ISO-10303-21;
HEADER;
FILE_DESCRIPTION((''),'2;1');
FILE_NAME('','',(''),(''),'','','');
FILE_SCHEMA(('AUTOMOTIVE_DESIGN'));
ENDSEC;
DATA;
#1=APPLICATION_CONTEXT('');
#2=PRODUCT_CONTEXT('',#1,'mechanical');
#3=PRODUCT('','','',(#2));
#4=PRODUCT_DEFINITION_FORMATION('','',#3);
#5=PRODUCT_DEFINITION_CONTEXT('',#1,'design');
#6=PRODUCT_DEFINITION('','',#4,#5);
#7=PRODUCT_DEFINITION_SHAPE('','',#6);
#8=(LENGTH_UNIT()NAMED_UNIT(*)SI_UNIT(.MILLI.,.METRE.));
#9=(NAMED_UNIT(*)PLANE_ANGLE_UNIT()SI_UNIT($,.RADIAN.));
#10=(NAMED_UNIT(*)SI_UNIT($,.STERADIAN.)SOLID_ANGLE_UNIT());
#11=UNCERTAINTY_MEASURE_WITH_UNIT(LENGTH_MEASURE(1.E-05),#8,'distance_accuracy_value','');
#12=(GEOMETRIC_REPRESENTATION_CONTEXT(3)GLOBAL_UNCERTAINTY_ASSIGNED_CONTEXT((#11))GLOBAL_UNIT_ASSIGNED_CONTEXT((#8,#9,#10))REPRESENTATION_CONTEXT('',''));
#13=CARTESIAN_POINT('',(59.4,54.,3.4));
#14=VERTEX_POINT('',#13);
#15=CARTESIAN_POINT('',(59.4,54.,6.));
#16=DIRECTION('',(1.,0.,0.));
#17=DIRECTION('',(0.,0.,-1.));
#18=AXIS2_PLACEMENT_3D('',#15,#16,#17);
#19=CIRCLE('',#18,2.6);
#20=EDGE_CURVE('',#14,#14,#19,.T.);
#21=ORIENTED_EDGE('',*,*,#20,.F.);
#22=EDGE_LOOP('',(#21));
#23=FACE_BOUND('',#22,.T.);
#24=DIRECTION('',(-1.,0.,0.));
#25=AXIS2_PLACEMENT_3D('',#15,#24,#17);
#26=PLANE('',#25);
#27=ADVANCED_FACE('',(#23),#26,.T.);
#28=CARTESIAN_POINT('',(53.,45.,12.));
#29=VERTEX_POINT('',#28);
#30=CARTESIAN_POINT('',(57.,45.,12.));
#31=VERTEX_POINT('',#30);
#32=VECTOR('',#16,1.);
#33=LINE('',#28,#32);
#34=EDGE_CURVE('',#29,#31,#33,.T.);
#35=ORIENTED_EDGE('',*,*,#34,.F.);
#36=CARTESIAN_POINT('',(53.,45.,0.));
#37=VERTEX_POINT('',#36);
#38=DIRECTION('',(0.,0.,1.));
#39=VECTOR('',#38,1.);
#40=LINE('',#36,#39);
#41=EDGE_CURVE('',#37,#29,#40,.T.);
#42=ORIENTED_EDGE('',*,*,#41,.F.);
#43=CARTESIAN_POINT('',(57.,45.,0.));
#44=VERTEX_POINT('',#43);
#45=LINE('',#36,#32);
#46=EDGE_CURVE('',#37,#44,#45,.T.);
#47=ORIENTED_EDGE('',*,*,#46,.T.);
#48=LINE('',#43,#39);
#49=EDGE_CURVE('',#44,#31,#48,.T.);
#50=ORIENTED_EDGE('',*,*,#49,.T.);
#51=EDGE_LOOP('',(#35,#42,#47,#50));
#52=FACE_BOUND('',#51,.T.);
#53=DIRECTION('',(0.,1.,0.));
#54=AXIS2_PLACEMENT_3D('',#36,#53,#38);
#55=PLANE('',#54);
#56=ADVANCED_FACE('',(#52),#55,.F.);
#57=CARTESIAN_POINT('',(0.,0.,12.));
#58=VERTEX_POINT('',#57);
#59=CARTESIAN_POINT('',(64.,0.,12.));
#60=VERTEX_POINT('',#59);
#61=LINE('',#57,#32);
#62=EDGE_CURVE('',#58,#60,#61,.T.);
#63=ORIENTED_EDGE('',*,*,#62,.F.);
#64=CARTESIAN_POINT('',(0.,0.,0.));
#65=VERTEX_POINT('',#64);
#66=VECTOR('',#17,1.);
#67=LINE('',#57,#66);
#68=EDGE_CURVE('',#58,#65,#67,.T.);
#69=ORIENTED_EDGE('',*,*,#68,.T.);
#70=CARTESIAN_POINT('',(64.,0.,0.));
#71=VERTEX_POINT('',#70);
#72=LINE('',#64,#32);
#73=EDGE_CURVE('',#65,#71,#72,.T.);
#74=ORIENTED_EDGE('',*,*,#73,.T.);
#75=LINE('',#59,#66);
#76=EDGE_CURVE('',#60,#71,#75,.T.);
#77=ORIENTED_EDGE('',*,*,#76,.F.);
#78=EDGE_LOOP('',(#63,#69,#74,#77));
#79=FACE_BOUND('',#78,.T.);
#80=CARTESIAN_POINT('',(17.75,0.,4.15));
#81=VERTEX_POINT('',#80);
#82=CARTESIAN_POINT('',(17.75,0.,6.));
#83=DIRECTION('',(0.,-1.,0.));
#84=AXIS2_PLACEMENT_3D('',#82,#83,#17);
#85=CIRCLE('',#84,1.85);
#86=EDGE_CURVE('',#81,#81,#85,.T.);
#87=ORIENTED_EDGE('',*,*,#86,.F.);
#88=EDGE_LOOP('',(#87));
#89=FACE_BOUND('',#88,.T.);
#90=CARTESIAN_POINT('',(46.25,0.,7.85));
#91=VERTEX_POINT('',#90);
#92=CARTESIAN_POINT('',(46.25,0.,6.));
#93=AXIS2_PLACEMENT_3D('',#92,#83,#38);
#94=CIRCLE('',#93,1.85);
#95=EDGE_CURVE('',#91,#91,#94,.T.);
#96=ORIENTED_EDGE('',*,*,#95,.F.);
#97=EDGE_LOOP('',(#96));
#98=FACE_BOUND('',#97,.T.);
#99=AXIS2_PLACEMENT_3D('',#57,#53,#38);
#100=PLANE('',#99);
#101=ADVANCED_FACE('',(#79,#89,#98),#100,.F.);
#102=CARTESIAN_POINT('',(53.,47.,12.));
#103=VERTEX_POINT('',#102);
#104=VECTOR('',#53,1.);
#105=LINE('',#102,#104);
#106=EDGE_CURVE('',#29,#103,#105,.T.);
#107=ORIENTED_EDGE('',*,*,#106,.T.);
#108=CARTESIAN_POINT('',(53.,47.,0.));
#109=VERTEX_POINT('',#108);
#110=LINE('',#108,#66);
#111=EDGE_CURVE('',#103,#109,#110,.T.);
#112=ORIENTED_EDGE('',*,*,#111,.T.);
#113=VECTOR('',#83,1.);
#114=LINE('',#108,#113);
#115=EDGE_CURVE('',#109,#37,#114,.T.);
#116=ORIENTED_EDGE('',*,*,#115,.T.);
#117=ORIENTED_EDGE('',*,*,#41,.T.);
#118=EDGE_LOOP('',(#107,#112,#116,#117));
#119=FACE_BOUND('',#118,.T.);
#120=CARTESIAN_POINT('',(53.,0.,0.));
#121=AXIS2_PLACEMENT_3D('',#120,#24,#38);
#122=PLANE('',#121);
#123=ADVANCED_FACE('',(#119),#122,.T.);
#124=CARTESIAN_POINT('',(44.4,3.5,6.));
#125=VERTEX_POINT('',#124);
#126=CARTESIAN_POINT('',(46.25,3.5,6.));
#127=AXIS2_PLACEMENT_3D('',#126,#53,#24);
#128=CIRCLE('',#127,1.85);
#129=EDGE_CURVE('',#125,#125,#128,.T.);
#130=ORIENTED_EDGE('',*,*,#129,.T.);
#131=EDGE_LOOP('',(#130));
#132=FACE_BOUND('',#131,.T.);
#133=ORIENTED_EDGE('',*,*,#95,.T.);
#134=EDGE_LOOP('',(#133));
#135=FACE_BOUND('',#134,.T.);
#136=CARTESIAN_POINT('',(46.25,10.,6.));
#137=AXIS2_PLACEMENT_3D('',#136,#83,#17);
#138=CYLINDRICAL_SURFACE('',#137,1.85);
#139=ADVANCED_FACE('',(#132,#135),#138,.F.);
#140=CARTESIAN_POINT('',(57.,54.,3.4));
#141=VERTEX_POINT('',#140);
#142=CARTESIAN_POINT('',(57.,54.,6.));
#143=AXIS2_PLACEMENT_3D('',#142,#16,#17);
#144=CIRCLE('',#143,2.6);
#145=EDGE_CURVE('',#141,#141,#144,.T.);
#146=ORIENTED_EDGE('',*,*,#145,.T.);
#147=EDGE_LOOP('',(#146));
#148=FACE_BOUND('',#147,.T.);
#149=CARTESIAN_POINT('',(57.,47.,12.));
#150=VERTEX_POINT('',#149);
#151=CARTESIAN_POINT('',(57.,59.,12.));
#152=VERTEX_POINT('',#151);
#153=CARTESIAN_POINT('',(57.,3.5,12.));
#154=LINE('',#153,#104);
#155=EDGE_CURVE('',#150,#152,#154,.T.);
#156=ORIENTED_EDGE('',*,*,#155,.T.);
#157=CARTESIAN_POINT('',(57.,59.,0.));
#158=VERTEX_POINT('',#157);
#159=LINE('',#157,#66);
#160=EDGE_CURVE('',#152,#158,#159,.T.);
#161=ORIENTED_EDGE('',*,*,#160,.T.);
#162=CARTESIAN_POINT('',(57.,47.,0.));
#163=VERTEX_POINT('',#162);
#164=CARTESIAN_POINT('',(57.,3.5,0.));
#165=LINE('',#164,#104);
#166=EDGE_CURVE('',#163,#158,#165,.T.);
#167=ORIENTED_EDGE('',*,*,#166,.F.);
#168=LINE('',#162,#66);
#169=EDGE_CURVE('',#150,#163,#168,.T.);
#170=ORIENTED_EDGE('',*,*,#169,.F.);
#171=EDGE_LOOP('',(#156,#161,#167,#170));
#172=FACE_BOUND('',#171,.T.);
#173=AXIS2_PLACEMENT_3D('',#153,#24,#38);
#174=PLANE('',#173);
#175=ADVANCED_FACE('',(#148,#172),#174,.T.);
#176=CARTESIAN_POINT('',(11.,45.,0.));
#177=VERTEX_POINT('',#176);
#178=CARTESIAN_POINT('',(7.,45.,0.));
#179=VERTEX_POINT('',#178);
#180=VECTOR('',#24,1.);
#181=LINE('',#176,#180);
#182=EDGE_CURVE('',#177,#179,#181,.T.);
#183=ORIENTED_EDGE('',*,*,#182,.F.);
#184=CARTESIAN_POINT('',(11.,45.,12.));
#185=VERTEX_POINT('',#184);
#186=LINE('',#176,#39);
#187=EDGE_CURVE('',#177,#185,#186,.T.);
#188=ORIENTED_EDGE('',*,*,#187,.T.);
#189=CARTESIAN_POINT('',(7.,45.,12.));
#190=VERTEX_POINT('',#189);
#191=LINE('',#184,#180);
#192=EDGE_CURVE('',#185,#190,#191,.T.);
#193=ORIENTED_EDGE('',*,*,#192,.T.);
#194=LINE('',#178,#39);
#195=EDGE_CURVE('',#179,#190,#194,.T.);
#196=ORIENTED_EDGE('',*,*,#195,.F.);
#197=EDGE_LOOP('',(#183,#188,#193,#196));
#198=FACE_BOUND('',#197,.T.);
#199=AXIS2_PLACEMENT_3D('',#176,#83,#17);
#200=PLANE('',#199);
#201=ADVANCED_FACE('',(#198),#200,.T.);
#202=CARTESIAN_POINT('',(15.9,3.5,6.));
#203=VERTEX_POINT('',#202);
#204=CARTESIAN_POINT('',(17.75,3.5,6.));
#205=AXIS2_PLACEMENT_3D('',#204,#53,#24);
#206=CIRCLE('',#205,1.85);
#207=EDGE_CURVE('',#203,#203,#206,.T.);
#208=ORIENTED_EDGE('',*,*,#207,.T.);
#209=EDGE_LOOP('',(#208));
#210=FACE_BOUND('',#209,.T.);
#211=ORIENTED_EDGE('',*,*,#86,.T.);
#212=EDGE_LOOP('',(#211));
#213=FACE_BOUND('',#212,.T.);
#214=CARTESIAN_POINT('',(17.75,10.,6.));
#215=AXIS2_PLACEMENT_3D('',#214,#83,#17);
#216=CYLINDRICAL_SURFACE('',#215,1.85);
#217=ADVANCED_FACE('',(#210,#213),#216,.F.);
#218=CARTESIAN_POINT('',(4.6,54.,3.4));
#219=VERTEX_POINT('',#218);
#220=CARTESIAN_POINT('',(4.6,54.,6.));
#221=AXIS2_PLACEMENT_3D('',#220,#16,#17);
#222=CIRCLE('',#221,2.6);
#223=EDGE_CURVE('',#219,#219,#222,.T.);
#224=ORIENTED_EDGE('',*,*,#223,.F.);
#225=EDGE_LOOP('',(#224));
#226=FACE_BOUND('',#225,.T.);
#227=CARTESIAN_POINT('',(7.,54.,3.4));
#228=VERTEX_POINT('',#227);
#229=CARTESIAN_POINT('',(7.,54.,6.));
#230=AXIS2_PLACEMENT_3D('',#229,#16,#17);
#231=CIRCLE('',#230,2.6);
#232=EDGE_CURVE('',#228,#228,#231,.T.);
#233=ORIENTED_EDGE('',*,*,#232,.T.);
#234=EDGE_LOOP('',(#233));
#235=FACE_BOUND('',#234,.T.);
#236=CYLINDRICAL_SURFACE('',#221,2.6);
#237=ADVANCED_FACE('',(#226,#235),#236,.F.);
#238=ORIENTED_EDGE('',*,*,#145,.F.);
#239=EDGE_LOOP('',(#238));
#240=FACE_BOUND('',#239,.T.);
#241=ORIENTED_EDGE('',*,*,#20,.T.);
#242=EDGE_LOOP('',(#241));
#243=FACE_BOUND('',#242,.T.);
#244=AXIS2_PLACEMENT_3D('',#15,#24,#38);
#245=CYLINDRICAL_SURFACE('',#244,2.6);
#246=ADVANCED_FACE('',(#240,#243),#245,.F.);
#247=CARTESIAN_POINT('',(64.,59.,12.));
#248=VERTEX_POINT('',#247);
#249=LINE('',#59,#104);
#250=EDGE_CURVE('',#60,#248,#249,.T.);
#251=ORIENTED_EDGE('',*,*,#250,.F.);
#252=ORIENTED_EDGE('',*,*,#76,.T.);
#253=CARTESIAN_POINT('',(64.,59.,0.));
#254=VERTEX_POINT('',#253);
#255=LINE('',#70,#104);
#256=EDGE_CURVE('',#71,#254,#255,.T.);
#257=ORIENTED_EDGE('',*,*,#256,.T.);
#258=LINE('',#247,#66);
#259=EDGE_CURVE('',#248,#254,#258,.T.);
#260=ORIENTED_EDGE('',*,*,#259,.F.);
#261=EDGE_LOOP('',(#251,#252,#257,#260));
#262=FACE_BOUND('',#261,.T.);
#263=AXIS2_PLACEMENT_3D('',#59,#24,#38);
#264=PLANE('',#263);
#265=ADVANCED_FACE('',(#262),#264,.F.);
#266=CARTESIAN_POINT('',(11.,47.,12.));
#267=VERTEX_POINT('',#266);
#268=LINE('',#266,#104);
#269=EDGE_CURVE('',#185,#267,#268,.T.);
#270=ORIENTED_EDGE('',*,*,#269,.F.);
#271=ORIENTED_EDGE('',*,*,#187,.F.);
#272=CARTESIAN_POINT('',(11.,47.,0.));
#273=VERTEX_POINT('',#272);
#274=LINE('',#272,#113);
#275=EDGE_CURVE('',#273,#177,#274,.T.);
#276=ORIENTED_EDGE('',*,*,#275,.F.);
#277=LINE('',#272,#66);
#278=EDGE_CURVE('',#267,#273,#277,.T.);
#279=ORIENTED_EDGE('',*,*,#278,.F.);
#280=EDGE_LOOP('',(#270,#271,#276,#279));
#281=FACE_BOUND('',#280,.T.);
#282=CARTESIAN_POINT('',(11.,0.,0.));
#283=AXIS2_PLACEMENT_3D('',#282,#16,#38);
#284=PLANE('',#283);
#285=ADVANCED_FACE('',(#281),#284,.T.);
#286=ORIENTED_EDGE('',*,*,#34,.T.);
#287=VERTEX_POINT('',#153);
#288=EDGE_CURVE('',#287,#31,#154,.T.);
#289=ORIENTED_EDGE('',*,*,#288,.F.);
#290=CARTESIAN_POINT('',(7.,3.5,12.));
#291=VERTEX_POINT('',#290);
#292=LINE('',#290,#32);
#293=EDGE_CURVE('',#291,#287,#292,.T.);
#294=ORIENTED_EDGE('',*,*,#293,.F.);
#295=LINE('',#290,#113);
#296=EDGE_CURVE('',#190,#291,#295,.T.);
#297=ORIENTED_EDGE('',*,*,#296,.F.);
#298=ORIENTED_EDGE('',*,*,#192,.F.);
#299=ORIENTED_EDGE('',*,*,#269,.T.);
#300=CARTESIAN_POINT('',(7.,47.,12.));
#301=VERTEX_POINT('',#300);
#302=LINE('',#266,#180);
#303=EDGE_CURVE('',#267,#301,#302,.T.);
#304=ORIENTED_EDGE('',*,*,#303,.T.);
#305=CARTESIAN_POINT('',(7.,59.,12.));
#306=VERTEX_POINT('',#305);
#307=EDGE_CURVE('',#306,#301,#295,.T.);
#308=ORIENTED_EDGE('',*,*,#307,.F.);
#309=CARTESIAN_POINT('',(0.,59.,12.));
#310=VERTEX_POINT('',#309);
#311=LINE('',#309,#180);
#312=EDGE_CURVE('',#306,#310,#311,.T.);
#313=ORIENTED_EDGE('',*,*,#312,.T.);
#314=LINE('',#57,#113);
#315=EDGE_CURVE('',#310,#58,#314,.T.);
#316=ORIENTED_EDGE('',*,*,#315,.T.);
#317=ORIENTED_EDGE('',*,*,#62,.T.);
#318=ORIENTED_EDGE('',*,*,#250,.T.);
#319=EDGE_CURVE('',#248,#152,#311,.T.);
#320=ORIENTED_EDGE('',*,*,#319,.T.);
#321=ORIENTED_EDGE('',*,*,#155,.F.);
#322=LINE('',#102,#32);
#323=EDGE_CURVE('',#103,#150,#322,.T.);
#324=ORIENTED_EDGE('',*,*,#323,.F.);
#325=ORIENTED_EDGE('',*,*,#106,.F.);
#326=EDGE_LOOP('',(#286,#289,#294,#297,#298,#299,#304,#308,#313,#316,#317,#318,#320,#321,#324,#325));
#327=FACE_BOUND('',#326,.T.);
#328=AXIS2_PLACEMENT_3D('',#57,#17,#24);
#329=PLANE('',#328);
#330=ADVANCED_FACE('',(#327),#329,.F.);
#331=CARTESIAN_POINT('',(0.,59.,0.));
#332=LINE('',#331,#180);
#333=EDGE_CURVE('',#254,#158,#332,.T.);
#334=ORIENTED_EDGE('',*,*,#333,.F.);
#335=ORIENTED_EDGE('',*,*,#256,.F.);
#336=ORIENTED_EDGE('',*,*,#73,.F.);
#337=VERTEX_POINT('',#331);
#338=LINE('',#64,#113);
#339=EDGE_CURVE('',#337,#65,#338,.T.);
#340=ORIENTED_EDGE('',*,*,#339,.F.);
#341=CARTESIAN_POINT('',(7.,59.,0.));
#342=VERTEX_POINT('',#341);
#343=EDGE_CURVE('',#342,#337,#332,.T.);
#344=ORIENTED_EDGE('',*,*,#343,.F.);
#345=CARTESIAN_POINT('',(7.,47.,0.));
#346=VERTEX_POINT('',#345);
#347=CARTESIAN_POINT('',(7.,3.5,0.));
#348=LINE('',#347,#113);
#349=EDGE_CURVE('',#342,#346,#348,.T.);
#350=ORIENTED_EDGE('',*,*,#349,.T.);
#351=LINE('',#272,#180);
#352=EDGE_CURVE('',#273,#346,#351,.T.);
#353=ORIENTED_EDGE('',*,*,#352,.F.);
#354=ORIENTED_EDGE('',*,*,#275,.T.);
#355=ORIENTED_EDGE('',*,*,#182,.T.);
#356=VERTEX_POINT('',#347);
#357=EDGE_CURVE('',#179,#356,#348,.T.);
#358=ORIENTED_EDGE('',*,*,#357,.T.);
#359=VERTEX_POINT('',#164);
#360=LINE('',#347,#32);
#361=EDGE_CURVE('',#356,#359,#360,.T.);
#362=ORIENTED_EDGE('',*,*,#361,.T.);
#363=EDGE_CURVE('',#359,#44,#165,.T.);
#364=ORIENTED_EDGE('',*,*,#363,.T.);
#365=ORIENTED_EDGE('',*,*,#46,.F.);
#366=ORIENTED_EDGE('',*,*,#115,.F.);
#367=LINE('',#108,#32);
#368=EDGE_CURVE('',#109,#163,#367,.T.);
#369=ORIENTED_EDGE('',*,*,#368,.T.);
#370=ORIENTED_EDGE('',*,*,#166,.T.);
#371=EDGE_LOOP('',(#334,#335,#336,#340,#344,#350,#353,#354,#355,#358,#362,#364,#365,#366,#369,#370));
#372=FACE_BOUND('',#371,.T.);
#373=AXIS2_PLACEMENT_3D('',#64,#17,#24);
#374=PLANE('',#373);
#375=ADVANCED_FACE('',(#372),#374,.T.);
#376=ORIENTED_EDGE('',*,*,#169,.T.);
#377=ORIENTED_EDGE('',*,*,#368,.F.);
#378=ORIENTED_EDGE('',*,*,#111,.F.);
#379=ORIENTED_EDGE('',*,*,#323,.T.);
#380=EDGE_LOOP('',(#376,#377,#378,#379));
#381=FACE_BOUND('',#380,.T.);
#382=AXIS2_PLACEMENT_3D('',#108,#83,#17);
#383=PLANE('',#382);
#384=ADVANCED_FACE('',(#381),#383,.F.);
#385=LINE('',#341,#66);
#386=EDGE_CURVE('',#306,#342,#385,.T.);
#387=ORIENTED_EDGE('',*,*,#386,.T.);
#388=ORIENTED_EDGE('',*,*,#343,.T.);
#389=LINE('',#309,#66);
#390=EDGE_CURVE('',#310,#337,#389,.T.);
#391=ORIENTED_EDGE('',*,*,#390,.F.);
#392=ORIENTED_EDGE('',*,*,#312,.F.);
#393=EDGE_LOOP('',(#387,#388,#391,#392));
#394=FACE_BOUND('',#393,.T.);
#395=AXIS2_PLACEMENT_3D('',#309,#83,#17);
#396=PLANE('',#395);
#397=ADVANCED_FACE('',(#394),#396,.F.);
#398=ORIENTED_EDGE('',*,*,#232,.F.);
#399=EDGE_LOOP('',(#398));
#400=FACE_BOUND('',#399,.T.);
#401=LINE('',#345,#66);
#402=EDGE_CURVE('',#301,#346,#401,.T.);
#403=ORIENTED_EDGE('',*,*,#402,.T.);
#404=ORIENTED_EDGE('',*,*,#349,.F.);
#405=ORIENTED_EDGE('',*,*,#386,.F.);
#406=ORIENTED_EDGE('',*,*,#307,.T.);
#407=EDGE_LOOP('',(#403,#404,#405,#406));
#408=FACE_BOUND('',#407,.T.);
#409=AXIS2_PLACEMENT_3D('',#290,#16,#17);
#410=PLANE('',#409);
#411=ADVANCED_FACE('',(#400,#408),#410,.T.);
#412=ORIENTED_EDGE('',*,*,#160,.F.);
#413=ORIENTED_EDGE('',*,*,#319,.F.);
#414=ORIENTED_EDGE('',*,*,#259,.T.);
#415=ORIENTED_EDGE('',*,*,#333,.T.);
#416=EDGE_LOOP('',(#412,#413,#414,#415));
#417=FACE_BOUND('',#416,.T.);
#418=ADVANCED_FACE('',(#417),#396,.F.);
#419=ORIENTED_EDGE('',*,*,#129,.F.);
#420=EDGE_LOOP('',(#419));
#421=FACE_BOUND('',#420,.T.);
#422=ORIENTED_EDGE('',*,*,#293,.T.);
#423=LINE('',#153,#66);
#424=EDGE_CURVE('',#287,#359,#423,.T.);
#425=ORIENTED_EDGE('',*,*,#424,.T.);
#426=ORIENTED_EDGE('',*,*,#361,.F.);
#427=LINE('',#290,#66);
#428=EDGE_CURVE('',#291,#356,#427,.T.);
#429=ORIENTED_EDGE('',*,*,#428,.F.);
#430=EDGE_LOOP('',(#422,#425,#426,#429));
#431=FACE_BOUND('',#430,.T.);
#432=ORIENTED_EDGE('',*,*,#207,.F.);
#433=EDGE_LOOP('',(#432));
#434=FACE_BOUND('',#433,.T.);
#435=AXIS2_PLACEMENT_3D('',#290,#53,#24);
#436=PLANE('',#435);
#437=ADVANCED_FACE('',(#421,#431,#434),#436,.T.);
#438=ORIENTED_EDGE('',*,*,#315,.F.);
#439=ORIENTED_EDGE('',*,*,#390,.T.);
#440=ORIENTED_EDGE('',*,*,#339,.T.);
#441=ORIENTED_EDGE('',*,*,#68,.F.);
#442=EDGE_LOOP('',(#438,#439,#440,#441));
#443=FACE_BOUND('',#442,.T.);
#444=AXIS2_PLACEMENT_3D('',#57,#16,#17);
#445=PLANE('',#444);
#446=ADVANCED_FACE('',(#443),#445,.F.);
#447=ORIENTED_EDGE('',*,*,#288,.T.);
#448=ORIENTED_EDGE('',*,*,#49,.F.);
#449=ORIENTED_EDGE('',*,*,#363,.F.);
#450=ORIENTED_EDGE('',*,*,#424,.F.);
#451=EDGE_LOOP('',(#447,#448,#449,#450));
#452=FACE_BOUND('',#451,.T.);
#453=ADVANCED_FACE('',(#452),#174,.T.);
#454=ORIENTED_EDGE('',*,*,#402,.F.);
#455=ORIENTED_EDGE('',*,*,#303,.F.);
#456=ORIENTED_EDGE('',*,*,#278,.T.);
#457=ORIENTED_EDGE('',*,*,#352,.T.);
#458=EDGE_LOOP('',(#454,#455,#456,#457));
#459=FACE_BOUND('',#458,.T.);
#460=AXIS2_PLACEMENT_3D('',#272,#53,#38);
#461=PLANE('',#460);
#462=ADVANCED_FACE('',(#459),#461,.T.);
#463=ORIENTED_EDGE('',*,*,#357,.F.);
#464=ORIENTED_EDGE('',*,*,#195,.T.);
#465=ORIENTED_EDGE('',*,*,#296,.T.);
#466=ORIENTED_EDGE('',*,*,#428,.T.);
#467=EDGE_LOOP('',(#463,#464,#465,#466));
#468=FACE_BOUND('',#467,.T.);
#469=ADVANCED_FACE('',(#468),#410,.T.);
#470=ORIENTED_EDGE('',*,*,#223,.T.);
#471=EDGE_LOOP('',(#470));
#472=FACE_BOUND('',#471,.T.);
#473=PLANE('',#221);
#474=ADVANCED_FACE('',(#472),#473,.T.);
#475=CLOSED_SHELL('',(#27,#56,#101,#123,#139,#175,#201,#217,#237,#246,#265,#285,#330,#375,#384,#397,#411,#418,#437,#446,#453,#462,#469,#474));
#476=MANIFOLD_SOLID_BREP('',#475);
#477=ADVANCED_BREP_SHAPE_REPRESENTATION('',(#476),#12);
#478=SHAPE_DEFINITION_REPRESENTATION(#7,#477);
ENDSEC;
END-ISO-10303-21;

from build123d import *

# Parameters (mm, degrees)
SKETCH1_W           = 64
SKETCH1_H           = 59
SKETCH1_W_2         = 50
SKETCH1_H_2         = 52
BOSS_EXTRUDE1_DEPTH = 12
SKETCH2_R           = 1.85
CUT_EXTRUDE1_DEPTH  = 10
SKETCH3_R           = 1.85
CUT_EXTRUDE2_DEPTH  = 10
SKETCH4_W           = 50
SKETCH4_H           = 12
SKETCH4_R           = 1.85
CUT_EXTRUDE4_DEPTH  = 10
SKETCH6_R           = 2.6
CUT_EXTRUDE5_DEPTH  = 2.4
SKETCH7_W           = 12
SKETCH7_H           = 2
BOSS_EXTRUDE2_DEPTH = 4


with BuildPart() as part:
    # Sketch1 → Boss-Extrude1 (new body)
    with BuildSketch(Plane.XY):
        with Locations((32, 29.5)):
            Rectangle(SKETCH1_W, SKETCH1_H)
        with Locations((32, 29.5)):
            Rectangle(SKETCH1_W_2, SKETCH1_H_2, mode=Mode.SUBTRACT)
    extrude(amount=BOSS_EXTRUDE1_DEPTH)

    # Sketch2 → Cut-Extrude1 (cut)
    with BuildSketch(Plane(origin=(0, 59, 0), x_dir=(1, 0, 0), z_dir=(0, 1, 0))):
        with Locations(Location((18, -9.7, 0), (0, 0, 180))):
            Circle(SKETCH2_R)
        with Locations(Location((46, -9.7, 0), (0, 0, 180))):
            Circle(SKETCH2_R)
        with Locations(Location((32, -9.7, 0), (0, 0, 180))):
            Circle(SKETCH2_R)
    extrude(amount=-CUT_EXTRUDE1_DEPTH, mode=Mode.SUBTRACT)

    # Sketch3 → Cut-Extrude2 (cut)
    with BuildSketch(Plane.XZ):
        with Locations(Location((17.75, 6, 0), (0, 0, 270))):
            Circle(SKETCH3_R)
        with Locations(Location((46.25, 6, 0), (0, 0, 180))):
            Circle(SKETCH3_R)
    extrude(amount=-CUT_EXTRUDE2_DEPTH, mode=Mode.SUBTRACT)

    # Sketch4 → Cut-Extrude4 (cut)
    with BuildSketch(Plane(origin=(0, 59, 0), x_dir=(1, 0, 0), z_dir=(0, 1, 0))):
        with Locations((32, -6)):
            Rectangle(SKETCH4_W, SKETCH4_H)
        with Locations((18, -9.7)):
            Circle(SKETCH4_R, mode=Mode.SUBTRACT)
        with Locations((32, -9.7)):
            Circle(SKETCH4_R, mode=Mode.SUBTRACT)
        with Locations((46, -9.7)):
            Circle(SKETCH4_R, mode=Mode.SUBTRACT)
    extrude(amount=-CUT_EXTRUDE4_DEPTH, mode=Mode.SUBTRACT)

    # Sketch6 → Cut-Extrude5 (cut)
    with BuildSketch(Plane(origin=(7, 0, 0), x_dir=(0, 0, -1), z_dir=(1, 0, 0))):
        with Locations((-6, 54)):
            Circle(SKETCH6_R)
    cut_extrude5 = extrude(amount=-CUT_EXTRUDE5_DEPTH, mode=Mode.SUBTRACT)

    # Mirror1: Cut-Extrude5 across plane
    add(cut_extrude5.mirror(Plane.ZY.offset(-32)), mode=Mode.SUBTRACT)

    # Sketch7 → Boss-Extrude2 (add)
    with BuildSketch(Plane.ZY.offset(-57)):
        with Locations((6, 46)):
            Rectangle(SKETCH7_W, SKETCH7_H)
    boss_extrude2 = extrude(amount=BOSS_EXTRUDE2_DEPTH)

    # Mirror2: Boss-Extrude2 across plane
    add(boss_extrude2.mirror(Plane.ZY.offset(-32)))


solid = part.part
